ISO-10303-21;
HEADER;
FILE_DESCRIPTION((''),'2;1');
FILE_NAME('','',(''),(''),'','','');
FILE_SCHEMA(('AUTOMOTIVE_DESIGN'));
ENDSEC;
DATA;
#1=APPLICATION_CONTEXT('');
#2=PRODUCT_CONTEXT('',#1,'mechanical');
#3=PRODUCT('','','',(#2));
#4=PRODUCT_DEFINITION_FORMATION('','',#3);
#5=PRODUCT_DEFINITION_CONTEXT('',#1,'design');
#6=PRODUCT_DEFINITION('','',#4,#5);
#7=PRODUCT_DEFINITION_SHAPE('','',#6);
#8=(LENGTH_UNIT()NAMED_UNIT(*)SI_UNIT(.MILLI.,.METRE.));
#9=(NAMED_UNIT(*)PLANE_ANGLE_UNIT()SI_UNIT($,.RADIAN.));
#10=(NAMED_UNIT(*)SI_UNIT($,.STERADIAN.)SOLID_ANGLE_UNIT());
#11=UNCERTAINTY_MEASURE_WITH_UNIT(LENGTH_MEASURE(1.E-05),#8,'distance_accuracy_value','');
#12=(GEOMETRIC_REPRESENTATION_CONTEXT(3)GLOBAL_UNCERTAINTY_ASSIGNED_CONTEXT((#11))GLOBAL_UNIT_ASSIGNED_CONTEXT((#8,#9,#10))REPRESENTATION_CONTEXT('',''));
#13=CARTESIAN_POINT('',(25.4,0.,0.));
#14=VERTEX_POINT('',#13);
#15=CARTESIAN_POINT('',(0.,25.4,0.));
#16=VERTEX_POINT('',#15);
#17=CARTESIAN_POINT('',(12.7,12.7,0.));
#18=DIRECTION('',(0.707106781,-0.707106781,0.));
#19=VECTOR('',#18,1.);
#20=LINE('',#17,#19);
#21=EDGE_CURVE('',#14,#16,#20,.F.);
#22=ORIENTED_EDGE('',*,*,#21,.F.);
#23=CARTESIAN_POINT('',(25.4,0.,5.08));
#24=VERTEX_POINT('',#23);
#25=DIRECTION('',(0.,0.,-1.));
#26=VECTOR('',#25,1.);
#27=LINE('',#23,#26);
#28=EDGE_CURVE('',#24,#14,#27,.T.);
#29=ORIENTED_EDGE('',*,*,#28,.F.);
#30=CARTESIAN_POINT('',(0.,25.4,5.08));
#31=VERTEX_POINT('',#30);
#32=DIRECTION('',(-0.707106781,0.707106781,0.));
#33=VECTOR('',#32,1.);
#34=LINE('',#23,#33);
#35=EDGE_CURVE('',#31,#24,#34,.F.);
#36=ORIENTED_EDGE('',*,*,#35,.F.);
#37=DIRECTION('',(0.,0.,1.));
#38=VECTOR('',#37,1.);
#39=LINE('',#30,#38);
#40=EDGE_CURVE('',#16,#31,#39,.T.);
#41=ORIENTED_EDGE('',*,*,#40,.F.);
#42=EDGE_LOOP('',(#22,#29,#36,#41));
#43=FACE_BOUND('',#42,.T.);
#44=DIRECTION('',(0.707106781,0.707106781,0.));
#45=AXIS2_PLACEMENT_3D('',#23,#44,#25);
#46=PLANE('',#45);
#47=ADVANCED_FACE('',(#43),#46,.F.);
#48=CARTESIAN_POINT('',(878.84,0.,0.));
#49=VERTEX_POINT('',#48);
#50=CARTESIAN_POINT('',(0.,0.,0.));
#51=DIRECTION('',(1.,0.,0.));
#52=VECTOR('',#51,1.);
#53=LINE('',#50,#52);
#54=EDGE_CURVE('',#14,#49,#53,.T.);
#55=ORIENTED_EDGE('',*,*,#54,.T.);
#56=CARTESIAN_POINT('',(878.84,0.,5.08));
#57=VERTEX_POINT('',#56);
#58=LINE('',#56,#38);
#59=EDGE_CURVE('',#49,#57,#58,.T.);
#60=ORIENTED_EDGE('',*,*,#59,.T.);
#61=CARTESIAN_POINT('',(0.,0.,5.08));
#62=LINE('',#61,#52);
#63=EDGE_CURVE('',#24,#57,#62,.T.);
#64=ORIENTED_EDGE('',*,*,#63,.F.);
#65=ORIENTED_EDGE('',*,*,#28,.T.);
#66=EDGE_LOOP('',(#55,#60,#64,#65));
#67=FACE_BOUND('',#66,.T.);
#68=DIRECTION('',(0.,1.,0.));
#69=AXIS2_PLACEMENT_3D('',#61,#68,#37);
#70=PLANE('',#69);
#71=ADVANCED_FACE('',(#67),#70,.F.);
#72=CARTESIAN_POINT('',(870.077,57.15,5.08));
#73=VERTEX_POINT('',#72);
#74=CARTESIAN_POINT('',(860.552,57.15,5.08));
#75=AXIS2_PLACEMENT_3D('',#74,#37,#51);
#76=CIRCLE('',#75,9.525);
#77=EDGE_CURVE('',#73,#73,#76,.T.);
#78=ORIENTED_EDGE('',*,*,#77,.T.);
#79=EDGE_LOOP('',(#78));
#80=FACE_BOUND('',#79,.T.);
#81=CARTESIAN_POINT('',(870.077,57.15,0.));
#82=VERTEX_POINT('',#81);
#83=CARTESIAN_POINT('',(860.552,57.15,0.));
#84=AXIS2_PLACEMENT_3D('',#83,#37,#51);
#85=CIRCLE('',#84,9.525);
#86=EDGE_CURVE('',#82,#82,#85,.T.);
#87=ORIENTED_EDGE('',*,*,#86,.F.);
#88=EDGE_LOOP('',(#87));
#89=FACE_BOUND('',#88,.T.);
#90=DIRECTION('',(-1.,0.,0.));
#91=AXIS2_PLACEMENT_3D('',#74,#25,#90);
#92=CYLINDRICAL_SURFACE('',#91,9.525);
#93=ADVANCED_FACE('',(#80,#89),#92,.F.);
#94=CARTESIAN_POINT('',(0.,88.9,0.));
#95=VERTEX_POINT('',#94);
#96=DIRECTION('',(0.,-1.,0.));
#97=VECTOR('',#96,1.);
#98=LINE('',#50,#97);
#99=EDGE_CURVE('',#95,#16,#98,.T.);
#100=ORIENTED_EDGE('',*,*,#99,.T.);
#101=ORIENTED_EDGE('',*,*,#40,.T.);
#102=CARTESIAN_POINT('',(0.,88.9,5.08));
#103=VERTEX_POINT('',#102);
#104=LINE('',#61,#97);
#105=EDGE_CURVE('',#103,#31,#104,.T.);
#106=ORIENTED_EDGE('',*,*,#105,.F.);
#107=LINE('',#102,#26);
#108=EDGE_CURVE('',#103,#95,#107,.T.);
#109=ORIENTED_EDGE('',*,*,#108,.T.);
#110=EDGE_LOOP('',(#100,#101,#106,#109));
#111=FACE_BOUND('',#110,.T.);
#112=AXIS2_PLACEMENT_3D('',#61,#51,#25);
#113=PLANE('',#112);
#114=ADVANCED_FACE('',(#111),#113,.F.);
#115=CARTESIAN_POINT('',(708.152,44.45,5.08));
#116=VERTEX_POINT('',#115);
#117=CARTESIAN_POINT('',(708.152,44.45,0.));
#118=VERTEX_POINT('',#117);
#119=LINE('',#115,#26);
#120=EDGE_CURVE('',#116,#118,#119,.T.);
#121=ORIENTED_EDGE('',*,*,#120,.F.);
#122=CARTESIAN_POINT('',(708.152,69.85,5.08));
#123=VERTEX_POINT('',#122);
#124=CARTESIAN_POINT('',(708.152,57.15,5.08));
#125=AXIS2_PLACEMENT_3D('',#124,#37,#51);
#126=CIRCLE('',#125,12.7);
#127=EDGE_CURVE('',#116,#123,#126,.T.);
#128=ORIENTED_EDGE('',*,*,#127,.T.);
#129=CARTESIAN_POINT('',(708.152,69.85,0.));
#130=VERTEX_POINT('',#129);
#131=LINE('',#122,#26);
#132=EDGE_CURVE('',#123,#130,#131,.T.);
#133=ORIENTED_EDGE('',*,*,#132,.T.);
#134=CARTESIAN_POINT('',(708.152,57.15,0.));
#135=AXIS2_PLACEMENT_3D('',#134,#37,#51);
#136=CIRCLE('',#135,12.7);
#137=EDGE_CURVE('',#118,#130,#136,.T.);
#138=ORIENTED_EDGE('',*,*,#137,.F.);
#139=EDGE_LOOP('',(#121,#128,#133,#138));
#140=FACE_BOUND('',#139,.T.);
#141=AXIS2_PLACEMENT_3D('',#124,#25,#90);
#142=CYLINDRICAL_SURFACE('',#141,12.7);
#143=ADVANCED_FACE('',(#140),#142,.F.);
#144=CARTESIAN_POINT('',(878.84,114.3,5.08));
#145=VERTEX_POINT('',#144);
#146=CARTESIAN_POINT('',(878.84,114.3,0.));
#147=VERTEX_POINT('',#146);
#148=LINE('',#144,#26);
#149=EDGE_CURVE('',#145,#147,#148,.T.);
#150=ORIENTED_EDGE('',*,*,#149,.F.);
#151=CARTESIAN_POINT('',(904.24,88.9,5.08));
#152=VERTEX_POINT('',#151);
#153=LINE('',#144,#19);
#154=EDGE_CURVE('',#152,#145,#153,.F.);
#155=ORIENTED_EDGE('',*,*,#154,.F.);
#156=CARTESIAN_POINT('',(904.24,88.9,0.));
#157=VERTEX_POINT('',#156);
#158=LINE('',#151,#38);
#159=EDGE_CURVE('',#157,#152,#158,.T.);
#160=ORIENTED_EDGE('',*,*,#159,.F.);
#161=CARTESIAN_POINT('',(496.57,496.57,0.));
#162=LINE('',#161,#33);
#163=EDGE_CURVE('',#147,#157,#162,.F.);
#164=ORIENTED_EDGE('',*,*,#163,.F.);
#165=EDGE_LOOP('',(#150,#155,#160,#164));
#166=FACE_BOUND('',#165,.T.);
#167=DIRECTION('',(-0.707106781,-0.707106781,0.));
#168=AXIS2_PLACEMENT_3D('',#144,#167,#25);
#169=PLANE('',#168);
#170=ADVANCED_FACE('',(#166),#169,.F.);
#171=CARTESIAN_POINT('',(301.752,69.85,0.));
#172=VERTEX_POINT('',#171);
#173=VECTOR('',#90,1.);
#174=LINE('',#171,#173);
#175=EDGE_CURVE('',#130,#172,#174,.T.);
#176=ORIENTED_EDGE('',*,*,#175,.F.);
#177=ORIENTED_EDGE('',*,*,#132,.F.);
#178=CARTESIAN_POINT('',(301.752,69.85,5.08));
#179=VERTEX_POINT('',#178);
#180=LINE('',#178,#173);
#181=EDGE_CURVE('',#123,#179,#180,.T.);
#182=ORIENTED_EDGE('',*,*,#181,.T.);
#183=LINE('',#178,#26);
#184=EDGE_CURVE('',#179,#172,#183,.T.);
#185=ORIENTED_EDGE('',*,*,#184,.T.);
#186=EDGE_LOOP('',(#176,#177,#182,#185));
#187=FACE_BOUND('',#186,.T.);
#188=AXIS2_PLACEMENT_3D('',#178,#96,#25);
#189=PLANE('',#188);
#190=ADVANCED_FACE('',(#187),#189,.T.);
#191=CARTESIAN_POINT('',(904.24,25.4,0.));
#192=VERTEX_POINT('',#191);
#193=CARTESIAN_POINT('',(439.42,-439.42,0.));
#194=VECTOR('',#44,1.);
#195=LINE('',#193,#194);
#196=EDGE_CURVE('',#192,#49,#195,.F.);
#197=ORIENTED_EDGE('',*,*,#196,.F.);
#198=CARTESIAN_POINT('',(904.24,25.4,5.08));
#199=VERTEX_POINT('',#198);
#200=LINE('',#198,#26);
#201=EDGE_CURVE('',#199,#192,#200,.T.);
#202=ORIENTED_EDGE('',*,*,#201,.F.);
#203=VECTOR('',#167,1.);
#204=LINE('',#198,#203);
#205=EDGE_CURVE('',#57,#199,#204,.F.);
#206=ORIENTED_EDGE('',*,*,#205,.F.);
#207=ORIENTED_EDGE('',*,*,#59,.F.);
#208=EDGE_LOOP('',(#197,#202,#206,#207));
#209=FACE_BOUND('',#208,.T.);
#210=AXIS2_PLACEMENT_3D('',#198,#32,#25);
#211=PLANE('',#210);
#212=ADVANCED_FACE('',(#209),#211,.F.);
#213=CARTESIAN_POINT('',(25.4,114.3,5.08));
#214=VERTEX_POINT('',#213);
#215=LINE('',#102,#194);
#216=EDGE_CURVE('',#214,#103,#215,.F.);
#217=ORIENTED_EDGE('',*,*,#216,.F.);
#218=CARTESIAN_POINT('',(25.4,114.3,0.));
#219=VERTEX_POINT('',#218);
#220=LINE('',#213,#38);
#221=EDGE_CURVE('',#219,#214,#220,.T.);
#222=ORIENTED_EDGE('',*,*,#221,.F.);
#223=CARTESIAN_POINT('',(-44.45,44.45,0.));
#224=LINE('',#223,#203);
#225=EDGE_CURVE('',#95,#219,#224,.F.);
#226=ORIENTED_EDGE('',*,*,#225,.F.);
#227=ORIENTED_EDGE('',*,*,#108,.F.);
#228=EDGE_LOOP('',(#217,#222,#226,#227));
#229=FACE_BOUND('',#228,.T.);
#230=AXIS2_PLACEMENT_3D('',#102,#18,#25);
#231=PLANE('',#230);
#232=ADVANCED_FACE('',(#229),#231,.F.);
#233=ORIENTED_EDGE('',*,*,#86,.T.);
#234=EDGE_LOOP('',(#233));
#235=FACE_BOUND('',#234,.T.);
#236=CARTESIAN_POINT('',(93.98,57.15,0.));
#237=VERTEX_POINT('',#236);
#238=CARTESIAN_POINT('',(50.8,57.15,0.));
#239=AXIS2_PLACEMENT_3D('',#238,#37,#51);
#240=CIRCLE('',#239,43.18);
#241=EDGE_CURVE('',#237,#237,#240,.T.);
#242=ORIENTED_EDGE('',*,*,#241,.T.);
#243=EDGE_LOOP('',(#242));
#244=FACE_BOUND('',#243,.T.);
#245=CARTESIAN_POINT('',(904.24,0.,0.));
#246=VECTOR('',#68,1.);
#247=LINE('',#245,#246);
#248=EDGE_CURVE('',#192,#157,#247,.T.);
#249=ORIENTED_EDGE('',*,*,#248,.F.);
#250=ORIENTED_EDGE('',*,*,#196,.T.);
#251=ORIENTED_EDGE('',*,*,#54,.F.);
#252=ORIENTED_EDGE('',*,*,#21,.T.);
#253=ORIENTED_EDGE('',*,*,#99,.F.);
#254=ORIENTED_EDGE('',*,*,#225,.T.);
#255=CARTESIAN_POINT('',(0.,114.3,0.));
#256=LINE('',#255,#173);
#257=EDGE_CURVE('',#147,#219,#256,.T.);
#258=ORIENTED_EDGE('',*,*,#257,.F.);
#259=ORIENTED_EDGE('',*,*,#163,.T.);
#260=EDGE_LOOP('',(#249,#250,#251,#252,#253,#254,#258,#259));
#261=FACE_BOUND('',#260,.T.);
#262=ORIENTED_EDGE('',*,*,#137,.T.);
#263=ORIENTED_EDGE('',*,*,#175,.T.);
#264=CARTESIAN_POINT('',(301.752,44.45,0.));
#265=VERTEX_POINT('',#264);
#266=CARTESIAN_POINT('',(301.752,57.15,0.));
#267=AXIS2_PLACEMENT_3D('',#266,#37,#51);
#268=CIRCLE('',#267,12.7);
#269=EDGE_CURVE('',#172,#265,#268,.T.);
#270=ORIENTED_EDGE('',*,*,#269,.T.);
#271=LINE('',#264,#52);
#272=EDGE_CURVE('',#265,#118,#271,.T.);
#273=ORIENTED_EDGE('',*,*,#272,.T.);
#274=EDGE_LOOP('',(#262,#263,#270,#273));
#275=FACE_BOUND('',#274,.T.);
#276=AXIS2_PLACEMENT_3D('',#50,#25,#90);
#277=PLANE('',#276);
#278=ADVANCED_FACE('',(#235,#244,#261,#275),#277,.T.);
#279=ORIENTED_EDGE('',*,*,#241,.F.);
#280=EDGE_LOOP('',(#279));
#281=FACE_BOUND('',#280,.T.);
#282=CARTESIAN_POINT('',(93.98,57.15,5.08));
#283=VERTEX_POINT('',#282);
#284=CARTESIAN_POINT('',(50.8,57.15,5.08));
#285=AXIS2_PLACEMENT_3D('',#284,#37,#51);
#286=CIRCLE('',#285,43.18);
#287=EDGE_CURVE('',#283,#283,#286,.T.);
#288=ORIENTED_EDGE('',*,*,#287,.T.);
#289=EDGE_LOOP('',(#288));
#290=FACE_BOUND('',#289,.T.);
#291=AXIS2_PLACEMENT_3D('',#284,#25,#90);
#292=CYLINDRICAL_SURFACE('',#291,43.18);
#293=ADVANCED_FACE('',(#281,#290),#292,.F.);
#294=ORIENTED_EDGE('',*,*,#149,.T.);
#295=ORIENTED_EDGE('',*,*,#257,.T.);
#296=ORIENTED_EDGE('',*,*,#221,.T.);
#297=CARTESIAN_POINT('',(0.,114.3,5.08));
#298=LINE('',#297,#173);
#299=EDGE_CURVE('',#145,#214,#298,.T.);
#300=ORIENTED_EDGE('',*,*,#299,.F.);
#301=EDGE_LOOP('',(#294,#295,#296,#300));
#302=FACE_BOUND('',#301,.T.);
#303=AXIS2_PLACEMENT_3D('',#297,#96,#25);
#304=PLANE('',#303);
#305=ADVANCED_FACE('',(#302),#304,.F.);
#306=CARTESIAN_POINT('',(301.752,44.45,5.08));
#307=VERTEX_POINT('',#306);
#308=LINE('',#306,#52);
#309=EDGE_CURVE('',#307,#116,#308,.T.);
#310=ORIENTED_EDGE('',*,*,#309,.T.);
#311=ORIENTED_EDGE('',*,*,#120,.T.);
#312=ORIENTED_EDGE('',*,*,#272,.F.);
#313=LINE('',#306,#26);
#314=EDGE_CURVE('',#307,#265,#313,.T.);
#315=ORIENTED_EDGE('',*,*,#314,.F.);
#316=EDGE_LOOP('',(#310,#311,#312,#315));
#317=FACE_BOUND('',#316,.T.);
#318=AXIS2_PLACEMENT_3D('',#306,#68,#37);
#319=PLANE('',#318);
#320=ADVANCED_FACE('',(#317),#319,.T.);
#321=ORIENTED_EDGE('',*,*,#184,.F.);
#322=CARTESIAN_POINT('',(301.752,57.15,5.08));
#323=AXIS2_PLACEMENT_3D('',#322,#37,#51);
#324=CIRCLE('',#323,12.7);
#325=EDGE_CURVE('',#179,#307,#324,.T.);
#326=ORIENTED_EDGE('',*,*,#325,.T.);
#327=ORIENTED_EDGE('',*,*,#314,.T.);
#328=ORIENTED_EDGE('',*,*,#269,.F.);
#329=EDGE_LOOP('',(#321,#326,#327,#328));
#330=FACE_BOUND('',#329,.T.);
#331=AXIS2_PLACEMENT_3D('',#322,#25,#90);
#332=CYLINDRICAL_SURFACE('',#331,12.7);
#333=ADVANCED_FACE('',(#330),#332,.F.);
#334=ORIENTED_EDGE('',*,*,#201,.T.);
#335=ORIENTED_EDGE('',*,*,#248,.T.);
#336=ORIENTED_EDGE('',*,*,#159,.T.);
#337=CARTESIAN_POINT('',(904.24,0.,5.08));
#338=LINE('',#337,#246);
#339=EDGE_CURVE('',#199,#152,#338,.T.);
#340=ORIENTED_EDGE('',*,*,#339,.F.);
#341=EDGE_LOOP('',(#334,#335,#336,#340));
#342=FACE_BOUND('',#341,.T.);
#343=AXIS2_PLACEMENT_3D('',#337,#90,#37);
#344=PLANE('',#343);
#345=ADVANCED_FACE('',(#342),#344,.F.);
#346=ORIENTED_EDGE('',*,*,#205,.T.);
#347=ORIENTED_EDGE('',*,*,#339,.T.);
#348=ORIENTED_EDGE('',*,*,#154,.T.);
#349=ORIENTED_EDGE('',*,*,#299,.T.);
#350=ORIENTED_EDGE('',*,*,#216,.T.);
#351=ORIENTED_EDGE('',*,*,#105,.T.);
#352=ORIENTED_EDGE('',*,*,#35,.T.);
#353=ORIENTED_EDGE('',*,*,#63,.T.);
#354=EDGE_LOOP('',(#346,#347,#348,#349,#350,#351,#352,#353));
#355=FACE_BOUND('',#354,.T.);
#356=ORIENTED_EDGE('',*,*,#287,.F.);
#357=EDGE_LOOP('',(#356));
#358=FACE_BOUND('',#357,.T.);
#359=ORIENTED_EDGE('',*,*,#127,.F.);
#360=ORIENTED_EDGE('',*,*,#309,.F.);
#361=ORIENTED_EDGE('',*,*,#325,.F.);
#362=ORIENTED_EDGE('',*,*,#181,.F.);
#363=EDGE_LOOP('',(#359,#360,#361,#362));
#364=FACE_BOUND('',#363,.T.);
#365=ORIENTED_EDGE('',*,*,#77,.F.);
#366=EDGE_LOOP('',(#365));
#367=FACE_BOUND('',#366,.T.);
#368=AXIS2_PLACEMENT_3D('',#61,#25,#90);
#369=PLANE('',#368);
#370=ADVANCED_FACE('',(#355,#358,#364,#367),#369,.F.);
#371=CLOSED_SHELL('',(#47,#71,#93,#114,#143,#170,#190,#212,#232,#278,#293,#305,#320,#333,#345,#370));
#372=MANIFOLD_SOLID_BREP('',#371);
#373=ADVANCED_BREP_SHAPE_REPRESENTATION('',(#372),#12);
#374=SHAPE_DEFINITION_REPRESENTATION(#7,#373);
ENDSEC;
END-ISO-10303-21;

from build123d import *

# Parameters (mm, degrees)
SKETCH1_W           = 904.24
SKETCH1_H           = 114.3
SKETCH1_R           = 43.18
SKETCH1_R_2         = 9.525
BOSS_EXTRUDE1_DEPTH = 5.08
CHAMFER1_SIZE       = 25.4


with BuildPart() as part:
    # Sketch1 → Boss-Extrude1 (new body)
    with BuildSketch(Plane.XY):
        with Locations((452.12, 57.15)):
            Rectangle(SKETCH1_W, SKETCH1_H)
        with Locations((50.8, 57.15)):
            Circle(SKETCH1_R, mode=Mode.SUBTRACT)
        with Locations((860.552, 57.15)):
            Circle(SKETCH1_R_2, mode=Mode.SUBTRACT)
        with BuildLine():
            Line((301.752, 69.85), (708.152, 69.85))
            ThreePointArc((708.152, 69.85), (720.852, 57.15), (708.152, 44.45))
            Line((708.152, 44.45), (301.752, 44.45))
            ThreePointArc((301.752, 44.45), (289.052, 57.15), (301.752, 69.85))
        make_face(mode=Mode.SUBTRACT)
    extrude(amount=BOSS_EXTRUDE1_DEPTH)

    # Chamfer1
    chamfer1_edges = [part.edges().sort_by_distance(p)[0] for p in [
        (0, 114.3, 2.54),
        (904.24, 114.3, 2.54),
        (904.24, 0, 2.54),
        (0, 0, 2.54),
    ]]
    chamfer(chamfer1_edges, length=CHAMFER1_SIZE)


solid = part.part
